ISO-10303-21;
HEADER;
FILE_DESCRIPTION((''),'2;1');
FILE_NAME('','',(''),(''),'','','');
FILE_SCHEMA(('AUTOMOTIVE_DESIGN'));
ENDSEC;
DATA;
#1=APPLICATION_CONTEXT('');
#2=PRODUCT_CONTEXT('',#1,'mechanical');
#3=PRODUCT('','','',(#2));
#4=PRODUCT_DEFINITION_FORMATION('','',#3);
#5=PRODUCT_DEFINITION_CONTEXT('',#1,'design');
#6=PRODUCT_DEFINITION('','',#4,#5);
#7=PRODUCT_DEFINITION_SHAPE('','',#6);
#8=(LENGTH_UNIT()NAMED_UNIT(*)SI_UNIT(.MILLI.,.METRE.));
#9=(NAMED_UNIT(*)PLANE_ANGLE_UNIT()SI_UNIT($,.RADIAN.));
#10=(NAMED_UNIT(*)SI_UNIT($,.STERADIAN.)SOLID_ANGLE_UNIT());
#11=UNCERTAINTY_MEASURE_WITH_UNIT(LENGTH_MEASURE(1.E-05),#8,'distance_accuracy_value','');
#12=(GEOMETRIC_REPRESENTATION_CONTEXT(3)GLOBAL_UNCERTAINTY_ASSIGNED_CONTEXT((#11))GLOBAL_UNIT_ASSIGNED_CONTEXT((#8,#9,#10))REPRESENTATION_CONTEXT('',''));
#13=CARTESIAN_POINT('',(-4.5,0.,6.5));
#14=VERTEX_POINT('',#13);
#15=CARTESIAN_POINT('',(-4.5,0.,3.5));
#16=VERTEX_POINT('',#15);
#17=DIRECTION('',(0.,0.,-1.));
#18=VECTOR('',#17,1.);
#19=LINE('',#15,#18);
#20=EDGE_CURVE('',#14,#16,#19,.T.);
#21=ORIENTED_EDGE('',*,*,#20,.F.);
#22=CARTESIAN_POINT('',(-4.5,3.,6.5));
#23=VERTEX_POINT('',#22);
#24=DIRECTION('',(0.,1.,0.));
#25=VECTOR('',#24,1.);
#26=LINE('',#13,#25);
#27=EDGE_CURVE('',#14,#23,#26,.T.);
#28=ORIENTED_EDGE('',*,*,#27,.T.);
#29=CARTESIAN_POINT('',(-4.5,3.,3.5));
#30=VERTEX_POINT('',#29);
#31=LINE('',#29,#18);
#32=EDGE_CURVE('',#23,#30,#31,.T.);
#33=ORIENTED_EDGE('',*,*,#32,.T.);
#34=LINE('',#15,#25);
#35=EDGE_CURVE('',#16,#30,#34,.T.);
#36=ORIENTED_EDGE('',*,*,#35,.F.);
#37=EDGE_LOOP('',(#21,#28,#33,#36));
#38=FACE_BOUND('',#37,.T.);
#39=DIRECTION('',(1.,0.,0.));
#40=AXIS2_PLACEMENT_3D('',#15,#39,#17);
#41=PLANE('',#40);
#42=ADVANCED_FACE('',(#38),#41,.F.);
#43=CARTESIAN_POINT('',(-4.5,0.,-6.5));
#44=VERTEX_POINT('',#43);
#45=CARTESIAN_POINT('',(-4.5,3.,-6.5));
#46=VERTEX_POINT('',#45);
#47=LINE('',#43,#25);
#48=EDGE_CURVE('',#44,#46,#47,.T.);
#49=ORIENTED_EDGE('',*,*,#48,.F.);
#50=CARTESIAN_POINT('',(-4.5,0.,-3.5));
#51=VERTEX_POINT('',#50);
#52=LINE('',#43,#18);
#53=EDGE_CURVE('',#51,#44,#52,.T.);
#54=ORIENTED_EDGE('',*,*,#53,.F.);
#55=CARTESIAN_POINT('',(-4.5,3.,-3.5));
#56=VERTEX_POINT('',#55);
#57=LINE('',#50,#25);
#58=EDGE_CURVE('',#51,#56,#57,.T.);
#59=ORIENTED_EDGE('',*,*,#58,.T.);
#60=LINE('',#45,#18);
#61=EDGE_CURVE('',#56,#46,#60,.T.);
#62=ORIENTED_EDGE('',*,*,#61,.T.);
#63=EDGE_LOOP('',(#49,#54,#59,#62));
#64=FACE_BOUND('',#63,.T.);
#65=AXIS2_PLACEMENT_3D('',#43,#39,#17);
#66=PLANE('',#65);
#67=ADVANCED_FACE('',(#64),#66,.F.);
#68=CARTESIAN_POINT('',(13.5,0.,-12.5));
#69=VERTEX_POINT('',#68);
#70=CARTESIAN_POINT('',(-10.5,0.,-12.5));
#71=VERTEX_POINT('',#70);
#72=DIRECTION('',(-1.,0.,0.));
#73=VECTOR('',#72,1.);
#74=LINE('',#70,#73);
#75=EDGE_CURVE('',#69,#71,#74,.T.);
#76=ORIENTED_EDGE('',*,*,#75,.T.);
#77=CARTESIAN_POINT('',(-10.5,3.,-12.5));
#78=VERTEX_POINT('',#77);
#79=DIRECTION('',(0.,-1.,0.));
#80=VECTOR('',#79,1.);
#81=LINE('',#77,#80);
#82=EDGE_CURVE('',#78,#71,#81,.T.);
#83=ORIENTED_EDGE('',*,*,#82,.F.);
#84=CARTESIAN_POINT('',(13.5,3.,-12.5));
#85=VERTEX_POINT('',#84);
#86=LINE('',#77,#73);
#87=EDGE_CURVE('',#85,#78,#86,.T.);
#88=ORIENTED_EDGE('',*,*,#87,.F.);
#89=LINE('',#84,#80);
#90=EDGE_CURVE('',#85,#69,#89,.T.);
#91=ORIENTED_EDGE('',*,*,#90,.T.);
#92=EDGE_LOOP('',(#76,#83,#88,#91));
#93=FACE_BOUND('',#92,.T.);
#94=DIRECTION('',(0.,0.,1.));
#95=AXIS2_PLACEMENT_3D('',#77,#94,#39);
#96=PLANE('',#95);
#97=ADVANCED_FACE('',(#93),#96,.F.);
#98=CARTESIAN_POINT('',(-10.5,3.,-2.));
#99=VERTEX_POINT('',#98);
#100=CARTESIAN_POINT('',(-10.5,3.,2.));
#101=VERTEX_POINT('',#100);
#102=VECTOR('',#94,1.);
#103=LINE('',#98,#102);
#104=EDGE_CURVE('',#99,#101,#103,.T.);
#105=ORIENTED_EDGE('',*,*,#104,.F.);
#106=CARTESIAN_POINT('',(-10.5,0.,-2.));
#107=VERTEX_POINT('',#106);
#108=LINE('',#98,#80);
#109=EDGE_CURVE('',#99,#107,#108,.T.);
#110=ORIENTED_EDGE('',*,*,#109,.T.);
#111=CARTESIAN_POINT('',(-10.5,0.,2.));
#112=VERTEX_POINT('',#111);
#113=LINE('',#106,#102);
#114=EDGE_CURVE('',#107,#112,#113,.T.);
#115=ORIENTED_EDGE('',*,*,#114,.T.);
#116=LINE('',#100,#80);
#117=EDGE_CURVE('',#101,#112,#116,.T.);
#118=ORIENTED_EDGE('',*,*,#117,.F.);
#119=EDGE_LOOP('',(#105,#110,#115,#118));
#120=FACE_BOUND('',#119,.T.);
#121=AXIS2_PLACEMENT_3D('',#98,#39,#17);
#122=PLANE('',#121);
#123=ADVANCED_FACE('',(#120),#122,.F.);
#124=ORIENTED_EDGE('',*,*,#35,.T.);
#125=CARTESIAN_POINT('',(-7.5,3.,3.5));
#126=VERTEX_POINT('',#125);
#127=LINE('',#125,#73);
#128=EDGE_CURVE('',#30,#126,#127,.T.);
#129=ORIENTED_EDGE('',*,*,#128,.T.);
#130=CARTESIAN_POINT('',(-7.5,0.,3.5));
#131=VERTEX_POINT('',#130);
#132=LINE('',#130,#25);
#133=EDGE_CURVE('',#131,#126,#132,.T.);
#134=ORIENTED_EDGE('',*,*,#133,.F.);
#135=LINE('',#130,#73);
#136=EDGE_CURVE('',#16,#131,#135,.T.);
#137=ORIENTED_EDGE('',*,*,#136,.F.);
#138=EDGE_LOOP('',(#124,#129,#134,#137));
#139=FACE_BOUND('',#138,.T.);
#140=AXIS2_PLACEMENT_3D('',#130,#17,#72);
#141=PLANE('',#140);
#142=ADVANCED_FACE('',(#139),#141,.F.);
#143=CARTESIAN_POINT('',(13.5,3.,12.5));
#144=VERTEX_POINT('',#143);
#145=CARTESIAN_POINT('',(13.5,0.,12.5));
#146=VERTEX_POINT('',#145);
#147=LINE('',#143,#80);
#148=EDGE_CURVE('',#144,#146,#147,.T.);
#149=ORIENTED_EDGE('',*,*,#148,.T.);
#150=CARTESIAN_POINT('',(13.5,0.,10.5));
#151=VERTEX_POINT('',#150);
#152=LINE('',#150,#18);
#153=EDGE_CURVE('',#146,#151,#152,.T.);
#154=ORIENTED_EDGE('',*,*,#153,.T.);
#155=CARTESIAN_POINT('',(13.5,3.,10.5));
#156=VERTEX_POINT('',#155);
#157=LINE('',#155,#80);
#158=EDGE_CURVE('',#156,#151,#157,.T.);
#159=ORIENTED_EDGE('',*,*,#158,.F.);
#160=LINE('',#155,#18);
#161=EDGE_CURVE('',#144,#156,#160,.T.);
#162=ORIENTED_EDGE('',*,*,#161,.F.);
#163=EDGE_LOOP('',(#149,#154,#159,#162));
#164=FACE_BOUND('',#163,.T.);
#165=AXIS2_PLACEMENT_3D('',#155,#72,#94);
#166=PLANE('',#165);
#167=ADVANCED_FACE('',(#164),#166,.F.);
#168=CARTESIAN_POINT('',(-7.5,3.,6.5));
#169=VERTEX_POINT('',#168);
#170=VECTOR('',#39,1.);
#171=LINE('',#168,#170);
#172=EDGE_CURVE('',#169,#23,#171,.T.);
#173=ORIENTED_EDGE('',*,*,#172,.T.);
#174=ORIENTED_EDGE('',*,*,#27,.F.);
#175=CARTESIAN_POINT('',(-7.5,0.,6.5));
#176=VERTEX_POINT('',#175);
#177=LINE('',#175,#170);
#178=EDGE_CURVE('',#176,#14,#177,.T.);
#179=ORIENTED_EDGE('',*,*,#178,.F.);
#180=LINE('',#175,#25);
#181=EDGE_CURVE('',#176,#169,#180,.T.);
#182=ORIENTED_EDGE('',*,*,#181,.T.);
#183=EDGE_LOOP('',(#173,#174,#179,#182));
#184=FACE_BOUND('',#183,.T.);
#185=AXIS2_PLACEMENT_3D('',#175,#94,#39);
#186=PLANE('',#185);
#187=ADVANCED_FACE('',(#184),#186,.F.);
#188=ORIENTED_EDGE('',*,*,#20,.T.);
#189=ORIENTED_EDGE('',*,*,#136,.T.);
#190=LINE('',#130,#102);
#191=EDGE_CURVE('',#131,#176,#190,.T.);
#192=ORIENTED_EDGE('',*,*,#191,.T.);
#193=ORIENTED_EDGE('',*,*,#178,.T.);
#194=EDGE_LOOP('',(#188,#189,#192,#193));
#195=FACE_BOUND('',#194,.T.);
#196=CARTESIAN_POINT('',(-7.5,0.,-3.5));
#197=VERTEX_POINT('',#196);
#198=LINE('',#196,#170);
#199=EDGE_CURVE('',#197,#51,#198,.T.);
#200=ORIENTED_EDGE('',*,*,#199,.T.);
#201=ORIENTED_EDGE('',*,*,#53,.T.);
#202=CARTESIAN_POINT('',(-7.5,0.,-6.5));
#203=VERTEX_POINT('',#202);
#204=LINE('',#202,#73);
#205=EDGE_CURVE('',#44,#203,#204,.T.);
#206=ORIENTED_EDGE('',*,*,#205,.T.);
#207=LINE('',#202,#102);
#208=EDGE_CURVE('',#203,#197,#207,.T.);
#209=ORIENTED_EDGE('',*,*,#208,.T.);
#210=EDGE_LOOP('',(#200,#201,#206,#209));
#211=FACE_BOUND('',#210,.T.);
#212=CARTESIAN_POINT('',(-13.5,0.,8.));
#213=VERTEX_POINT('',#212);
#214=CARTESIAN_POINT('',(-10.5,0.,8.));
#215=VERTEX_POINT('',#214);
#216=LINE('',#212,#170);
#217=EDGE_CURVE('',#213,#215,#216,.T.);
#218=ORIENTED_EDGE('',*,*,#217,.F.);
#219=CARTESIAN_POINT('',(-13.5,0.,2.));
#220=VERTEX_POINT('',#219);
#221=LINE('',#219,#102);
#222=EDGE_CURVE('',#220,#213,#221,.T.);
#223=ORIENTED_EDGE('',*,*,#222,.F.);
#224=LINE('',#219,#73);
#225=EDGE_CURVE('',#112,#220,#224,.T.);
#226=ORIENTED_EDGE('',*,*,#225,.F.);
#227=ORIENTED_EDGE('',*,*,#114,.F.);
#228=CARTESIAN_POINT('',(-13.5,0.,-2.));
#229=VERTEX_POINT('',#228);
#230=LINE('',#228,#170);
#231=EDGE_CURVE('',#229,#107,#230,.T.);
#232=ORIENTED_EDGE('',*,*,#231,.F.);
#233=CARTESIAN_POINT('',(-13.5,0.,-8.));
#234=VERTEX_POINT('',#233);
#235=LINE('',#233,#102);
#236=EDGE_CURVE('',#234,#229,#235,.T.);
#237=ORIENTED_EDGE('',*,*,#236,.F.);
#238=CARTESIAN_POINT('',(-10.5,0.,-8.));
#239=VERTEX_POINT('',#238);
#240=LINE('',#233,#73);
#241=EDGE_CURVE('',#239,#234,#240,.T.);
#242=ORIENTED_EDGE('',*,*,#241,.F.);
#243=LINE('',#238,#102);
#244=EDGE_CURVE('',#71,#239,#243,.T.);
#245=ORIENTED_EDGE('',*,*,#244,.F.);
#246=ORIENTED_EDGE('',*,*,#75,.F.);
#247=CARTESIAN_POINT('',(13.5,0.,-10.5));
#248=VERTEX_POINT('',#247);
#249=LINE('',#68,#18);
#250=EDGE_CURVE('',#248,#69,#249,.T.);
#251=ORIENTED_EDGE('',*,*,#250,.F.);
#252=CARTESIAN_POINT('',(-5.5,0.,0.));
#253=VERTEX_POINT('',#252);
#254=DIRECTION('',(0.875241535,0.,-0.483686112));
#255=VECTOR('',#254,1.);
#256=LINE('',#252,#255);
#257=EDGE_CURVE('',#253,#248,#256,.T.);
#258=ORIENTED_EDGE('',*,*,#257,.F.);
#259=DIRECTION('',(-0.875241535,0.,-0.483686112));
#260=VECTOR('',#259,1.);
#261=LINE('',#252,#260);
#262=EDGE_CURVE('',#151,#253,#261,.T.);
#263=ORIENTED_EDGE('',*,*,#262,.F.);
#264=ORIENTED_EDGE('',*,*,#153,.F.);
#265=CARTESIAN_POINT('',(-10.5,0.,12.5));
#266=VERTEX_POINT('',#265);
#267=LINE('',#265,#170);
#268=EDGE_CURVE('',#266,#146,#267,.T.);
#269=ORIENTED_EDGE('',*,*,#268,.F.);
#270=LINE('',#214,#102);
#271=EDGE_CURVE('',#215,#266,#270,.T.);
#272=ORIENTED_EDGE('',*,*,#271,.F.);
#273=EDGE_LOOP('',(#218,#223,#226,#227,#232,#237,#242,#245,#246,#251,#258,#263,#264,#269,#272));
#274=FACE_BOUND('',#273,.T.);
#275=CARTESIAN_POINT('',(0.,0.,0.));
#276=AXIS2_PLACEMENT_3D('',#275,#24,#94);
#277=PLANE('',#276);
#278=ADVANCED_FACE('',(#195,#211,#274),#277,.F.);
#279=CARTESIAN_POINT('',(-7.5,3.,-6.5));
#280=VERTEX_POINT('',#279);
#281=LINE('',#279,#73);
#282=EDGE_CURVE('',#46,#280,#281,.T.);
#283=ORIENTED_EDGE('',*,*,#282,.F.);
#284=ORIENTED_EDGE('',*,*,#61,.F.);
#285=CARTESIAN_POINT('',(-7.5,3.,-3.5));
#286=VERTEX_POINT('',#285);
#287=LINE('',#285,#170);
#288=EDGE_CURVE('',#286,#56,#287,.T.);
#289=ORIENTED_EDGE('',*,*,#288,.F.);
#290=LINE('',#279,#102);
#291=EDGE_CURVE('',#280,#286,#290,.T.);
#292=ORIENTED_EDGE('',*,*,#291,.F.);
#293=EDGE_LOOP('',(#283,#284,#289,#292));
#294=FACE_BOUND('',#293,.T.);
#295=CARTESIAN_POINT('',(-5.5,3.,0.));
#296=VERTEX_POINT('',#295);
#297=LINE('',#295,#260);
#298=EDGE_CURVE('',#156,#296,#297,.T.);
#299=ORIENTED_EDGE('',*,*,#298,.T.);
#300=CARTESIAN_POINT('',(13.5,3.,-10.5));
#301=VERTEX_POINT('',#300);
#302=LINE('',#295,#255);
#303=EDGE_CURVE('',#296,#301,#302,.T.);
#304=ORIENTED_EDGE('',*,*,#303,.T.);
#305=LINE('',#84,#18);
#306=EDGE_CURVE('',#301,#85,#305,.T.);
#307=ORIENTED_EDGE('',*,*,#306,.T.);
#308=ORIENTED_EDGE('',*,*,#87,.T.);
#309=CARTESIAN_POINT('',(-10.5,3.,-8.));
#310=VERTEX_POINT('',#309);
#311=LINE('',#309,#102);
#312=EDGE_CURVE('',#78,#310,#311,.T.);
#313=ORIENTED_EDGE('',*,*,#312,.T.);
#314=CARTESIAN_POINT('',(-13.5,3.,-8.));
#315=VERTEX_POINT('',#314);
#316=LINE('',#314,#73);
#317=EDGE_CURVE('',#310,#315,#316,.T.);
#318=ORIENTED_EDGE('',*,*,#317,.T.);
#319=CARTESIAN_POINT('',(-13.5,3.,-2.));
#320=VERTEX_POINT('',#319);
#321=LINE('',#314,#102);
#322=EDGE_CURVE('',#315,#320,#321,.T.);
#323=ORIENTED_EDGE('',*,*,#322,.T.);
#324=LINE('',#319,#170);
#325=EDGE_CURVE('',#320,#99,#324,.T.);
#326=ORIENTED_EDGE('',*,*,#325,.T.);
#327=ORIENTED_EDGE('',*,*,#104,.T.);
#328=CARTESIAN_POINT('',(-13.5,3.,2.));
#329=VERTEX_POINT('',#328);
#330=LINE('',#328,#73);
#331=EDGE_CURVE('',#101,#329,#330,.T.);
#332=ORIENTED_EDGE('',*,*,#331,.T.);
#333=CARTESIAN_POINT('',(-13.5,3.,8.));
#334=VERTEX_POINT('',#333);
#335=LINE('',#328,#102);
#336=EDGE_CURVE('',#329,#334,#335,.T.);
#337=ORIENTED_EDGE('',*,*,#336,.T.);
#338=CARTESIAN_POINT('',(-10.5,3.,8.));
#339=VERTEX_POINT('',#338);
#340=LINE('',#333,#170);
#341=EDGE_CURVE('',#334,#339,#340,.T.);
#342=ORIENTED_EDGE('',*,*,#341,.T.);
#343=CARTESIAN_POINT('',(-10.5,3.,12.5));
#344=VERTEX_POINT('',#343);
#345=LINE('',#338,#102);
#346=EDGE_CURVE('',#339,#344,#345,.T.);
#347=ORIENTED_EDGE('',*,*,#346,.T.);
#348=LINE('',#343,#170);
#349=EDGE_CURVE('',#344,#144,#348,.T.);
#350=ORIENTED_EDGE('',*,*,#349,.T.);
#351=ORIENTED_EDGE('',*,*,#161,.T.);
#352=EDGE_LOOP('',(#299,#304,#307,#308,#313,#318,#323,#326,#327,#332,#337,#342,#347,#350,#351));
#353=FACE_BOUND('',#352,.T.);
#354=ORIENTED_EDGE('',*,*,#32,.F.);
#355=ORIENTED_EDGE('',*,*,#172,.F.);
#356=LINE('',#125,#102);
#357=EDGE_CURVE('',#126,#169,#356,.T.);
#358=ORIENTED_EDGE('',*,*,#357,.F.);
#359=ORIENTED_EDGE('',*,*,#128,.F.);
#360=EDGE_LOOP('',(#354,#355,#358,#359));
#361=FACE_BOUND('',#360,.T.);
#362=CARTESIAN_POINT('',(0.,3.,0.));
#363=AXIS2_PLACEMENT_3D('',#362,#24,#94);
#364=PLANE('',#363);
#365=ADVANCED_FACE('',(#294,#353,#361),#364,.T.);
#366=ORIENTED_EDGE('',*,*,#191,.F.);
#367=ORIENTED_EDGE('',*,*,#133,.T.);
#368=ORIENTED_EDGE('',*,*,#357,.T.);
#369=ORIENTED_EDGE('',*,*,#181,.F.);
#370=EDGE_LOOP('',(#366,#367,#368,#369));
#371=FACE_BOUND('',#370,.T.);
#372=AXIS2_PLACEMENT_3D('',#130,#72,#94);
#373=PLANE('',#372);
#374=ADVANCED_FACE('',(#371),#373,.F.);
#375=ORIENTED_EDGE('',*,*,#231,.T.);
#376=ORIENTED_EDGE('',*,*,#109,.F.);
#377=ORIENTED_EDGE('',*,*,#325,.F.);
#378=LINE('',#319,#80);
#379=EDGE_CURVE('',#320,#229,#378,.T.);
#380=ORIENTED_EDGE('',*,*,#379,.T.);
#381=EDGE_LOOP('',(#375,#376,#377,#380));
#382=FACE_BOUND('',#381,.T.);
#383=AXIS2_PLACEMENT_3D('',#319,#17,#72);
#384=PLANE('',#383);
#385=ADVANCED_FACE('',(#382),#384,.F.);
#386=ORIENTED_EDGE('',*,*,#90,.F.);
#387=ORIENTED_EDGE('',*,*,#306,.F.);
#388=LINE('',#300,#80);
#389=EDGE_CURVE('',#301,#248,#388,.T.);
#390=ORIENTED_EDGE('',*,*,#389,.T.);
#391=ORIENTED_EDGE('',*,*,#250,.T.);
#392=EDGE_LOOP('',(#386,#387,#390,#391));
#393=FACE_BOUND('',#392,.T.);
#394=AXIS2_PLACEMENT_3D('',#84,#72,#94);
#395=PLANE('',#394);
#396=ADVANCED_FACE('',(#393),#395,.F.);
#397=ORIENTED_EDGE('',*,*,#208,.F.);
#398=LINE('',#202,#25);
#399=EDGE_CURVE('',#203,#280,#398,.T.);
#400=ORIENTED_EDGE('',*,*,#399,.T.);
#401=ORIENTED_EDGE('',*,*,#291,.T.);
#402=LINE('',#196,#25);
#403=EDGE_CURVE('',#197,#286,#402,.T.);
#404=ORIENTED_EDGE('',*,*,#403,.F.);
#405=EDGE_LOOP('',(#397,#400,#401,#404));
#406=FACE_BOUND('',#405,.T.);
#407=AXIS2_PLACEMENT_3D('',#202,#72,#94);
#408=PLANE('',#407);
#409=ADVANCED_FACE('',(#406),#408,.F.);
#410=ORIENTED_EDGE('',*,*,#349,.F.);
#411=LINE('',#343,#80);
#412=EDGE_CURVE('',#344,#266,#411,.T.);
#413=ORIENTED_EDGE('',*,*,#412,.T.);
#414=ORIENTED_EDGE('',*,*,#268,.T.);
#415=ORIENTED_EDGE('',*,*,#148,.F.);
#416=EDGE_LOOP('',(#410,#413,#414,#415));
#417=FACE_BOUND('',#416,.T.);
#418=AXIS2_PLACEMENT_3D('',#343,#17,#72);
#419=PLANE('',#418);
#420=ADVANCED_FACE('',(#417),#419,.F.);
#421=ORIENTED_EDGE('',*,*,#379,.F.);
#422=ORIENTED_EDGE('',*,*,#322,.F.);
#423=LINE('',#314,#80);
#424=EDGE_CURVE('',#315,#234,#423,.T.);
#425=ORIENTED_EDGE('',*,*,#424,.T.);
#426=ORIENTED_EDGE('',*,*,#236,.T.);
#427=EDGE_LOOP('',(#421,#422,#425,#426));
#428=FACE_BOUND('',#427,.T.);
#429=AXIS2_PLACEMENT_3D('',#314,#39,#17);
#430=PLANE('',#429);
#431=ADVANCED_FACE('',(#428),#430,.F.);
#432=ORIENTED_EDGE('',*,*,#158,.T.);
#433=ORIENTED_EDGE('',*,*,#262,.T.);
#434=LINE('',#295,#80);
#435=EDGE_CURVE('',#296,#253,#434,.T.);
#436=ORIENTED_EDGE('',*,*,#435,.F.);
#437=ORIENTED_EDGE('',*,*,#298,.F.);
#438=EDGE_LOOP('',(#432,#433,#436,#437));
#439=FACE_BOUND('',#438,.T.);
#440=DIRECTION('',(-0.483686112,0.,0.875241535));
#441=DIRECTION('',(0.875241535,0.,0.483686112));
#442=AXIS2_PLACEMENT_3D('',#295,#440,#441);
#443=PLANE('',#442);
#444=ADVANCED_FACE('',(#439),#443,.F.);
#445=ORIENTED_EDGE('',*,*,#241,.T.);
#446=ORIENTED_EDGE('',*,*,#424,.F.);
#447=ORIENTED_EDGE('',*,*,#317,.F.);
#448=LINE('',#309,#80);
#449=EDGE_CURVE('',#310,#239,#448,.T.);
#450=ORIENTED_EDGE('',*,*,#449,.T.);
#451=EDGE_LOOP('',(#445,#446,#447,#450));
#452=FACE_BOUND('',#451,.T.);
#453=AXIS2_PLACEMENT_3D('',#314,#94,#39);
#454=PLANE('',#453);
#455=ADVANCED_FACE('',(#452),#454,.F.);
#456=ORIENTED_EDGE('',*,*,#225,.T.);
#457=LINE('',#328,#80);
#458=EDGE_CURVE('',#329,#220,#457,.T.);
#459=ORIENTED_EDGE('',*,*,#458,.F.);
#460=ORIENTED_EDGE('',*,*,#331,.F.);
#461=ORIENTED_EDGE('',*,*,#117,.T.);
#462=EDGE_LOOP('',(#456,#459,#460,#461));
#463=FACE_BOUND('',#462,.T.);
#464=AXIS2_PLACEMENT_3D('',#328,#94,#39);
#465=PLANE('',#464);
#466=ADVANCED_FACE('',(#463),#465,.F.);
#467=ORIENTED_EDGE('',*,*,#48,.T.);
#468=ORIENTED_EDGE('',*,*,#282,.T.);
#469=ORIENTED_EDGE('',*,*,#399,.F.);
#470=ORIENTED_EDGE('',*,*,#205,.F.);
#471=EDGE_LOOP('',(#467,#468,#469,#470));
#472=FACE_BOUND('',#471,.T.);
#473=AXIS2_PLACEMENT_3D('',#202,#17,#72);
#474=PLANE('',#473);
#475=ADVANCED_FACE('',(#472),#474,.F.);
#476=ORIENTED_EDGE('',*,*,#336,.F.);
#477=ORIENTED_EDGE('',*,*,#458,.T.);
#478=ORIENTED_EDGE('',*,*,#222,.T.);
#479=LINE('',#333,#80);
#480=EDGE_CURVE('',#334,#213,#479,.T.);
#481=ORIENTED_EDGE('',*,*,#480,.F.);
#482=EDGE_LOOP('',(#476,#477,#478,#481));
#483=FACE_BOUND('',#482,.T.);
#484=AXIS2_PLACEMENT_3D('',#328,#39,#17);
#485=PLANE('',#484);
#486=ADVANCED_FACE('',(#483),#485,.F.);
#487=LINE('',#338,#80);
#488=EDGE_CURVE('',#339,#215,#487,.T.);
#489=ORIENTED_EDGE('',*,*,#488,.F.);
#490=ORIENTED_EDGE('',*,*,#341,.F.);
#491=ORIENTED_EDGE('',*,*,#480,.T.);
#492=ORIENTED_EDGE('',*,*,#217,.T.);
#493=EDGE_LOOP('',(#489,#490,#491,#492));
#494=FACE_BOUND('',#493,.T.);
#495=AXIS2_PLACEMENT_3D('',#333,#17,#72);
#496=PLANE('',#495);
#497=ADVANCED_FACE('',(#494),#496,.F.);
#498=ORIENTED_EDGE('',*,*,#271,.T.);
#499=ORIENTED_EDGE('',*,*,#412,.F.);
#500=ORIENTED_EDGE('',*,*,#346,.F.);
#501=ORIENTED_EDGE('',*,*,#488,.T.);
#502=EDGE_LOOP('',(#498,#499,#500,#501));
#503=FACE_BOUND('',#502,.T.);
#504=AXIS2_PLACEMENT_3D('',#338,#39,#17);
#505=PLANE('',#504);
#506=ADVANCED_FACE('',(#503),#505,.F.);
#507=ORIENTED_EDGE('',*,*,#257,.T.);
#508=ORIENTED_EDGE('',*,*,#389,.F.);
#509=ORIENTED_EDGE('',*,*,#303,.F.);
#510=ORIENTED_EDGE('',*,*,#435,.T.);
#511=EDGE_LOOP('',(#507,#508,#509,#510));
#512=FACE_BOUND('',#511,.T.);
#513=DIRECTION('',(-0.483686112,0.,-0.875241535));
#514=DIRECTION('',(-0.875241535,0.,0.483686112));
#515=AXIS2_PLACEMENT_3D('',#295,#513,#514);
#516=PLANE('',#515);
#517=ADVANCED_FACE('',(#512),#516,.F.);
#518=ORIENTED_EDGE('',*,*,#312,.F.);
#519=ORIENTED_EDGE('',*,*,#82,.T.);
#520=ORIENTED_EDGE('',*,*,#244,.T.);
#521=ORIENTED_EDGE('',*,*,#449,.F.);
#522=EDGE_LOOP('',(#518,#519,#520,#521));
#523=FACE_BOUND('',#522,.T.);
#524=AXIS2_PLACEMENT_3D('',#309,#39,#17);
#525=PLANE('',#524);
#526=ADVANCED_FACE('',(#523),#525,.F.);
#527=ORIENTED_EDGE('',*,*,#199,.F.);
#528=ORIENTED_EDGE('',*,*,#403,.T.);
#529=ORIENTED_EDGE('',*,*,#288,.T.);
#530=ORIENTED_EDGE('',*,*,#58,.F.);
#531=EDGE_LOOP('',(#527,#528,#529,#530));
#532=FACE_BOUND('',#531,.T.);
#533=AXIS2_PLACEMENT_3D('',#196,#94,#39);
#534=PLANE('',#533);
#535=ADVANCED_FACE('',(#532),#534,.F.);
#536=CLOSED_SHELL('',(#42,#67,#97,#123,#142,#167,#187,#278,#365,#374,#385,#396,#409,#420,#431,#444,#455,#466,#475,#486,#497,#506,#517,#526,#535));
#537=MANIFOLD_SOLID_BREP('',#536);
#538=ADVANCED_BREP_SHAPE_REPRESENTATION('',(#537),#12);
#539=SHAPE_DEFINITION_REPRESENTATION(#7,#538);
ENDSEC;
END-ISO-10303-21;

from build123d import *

# Parameters (mm, degrees)
BOSS_EXTRUDE1_DEPTH = 3
SKETCH2_W           = 3
SKETCH2_H           = 3
CUT_EXTRUDE1_DEPTH  = 3


with BuildPart() as part:
    # Sketch1 → Boss-Extrude1 (new body)
    with BuildSketch(Plane(origin=(0, 0, 0), x_dir=(1, 0, 0), z_dir=(0, 1, 0))):
        Polygon((-5.5, 0), (13.5, 10.5), (13.5, 12.5), (-10.5, 12.5), (-10.5, 8), (-13.5, 8), (-13.5, 2), (-10.5, 2), (-10.5, -2), (-13.5, -2), (-13.5, -8), (-10.5, -8), (-10.5, -12.5), (13.5, -12.5), (13.5, -10.5), align=None)
    extrude(amount=BOSS_EXTRUDE1_DEPTH)

    # Sketch2 → Cut-Extrude1 (cut)
    with BuildSketch(Plane(origin=(0, 3, 0), x_dir=(1, 0, 0), z_dir=(0, 1, 0))):
        with Locations((-6, 5)):
            Rectangle(SKETCH2_W, SKETCH2_H)
        with Locations((-6, -5)):
            Rectangle(SKETCH2_W, SKETCH2_H)
    extrude(amount=-CUT_EXTRUDE1_DEPTH, mode=Mode.SUBTRACT)


solid = part.part
